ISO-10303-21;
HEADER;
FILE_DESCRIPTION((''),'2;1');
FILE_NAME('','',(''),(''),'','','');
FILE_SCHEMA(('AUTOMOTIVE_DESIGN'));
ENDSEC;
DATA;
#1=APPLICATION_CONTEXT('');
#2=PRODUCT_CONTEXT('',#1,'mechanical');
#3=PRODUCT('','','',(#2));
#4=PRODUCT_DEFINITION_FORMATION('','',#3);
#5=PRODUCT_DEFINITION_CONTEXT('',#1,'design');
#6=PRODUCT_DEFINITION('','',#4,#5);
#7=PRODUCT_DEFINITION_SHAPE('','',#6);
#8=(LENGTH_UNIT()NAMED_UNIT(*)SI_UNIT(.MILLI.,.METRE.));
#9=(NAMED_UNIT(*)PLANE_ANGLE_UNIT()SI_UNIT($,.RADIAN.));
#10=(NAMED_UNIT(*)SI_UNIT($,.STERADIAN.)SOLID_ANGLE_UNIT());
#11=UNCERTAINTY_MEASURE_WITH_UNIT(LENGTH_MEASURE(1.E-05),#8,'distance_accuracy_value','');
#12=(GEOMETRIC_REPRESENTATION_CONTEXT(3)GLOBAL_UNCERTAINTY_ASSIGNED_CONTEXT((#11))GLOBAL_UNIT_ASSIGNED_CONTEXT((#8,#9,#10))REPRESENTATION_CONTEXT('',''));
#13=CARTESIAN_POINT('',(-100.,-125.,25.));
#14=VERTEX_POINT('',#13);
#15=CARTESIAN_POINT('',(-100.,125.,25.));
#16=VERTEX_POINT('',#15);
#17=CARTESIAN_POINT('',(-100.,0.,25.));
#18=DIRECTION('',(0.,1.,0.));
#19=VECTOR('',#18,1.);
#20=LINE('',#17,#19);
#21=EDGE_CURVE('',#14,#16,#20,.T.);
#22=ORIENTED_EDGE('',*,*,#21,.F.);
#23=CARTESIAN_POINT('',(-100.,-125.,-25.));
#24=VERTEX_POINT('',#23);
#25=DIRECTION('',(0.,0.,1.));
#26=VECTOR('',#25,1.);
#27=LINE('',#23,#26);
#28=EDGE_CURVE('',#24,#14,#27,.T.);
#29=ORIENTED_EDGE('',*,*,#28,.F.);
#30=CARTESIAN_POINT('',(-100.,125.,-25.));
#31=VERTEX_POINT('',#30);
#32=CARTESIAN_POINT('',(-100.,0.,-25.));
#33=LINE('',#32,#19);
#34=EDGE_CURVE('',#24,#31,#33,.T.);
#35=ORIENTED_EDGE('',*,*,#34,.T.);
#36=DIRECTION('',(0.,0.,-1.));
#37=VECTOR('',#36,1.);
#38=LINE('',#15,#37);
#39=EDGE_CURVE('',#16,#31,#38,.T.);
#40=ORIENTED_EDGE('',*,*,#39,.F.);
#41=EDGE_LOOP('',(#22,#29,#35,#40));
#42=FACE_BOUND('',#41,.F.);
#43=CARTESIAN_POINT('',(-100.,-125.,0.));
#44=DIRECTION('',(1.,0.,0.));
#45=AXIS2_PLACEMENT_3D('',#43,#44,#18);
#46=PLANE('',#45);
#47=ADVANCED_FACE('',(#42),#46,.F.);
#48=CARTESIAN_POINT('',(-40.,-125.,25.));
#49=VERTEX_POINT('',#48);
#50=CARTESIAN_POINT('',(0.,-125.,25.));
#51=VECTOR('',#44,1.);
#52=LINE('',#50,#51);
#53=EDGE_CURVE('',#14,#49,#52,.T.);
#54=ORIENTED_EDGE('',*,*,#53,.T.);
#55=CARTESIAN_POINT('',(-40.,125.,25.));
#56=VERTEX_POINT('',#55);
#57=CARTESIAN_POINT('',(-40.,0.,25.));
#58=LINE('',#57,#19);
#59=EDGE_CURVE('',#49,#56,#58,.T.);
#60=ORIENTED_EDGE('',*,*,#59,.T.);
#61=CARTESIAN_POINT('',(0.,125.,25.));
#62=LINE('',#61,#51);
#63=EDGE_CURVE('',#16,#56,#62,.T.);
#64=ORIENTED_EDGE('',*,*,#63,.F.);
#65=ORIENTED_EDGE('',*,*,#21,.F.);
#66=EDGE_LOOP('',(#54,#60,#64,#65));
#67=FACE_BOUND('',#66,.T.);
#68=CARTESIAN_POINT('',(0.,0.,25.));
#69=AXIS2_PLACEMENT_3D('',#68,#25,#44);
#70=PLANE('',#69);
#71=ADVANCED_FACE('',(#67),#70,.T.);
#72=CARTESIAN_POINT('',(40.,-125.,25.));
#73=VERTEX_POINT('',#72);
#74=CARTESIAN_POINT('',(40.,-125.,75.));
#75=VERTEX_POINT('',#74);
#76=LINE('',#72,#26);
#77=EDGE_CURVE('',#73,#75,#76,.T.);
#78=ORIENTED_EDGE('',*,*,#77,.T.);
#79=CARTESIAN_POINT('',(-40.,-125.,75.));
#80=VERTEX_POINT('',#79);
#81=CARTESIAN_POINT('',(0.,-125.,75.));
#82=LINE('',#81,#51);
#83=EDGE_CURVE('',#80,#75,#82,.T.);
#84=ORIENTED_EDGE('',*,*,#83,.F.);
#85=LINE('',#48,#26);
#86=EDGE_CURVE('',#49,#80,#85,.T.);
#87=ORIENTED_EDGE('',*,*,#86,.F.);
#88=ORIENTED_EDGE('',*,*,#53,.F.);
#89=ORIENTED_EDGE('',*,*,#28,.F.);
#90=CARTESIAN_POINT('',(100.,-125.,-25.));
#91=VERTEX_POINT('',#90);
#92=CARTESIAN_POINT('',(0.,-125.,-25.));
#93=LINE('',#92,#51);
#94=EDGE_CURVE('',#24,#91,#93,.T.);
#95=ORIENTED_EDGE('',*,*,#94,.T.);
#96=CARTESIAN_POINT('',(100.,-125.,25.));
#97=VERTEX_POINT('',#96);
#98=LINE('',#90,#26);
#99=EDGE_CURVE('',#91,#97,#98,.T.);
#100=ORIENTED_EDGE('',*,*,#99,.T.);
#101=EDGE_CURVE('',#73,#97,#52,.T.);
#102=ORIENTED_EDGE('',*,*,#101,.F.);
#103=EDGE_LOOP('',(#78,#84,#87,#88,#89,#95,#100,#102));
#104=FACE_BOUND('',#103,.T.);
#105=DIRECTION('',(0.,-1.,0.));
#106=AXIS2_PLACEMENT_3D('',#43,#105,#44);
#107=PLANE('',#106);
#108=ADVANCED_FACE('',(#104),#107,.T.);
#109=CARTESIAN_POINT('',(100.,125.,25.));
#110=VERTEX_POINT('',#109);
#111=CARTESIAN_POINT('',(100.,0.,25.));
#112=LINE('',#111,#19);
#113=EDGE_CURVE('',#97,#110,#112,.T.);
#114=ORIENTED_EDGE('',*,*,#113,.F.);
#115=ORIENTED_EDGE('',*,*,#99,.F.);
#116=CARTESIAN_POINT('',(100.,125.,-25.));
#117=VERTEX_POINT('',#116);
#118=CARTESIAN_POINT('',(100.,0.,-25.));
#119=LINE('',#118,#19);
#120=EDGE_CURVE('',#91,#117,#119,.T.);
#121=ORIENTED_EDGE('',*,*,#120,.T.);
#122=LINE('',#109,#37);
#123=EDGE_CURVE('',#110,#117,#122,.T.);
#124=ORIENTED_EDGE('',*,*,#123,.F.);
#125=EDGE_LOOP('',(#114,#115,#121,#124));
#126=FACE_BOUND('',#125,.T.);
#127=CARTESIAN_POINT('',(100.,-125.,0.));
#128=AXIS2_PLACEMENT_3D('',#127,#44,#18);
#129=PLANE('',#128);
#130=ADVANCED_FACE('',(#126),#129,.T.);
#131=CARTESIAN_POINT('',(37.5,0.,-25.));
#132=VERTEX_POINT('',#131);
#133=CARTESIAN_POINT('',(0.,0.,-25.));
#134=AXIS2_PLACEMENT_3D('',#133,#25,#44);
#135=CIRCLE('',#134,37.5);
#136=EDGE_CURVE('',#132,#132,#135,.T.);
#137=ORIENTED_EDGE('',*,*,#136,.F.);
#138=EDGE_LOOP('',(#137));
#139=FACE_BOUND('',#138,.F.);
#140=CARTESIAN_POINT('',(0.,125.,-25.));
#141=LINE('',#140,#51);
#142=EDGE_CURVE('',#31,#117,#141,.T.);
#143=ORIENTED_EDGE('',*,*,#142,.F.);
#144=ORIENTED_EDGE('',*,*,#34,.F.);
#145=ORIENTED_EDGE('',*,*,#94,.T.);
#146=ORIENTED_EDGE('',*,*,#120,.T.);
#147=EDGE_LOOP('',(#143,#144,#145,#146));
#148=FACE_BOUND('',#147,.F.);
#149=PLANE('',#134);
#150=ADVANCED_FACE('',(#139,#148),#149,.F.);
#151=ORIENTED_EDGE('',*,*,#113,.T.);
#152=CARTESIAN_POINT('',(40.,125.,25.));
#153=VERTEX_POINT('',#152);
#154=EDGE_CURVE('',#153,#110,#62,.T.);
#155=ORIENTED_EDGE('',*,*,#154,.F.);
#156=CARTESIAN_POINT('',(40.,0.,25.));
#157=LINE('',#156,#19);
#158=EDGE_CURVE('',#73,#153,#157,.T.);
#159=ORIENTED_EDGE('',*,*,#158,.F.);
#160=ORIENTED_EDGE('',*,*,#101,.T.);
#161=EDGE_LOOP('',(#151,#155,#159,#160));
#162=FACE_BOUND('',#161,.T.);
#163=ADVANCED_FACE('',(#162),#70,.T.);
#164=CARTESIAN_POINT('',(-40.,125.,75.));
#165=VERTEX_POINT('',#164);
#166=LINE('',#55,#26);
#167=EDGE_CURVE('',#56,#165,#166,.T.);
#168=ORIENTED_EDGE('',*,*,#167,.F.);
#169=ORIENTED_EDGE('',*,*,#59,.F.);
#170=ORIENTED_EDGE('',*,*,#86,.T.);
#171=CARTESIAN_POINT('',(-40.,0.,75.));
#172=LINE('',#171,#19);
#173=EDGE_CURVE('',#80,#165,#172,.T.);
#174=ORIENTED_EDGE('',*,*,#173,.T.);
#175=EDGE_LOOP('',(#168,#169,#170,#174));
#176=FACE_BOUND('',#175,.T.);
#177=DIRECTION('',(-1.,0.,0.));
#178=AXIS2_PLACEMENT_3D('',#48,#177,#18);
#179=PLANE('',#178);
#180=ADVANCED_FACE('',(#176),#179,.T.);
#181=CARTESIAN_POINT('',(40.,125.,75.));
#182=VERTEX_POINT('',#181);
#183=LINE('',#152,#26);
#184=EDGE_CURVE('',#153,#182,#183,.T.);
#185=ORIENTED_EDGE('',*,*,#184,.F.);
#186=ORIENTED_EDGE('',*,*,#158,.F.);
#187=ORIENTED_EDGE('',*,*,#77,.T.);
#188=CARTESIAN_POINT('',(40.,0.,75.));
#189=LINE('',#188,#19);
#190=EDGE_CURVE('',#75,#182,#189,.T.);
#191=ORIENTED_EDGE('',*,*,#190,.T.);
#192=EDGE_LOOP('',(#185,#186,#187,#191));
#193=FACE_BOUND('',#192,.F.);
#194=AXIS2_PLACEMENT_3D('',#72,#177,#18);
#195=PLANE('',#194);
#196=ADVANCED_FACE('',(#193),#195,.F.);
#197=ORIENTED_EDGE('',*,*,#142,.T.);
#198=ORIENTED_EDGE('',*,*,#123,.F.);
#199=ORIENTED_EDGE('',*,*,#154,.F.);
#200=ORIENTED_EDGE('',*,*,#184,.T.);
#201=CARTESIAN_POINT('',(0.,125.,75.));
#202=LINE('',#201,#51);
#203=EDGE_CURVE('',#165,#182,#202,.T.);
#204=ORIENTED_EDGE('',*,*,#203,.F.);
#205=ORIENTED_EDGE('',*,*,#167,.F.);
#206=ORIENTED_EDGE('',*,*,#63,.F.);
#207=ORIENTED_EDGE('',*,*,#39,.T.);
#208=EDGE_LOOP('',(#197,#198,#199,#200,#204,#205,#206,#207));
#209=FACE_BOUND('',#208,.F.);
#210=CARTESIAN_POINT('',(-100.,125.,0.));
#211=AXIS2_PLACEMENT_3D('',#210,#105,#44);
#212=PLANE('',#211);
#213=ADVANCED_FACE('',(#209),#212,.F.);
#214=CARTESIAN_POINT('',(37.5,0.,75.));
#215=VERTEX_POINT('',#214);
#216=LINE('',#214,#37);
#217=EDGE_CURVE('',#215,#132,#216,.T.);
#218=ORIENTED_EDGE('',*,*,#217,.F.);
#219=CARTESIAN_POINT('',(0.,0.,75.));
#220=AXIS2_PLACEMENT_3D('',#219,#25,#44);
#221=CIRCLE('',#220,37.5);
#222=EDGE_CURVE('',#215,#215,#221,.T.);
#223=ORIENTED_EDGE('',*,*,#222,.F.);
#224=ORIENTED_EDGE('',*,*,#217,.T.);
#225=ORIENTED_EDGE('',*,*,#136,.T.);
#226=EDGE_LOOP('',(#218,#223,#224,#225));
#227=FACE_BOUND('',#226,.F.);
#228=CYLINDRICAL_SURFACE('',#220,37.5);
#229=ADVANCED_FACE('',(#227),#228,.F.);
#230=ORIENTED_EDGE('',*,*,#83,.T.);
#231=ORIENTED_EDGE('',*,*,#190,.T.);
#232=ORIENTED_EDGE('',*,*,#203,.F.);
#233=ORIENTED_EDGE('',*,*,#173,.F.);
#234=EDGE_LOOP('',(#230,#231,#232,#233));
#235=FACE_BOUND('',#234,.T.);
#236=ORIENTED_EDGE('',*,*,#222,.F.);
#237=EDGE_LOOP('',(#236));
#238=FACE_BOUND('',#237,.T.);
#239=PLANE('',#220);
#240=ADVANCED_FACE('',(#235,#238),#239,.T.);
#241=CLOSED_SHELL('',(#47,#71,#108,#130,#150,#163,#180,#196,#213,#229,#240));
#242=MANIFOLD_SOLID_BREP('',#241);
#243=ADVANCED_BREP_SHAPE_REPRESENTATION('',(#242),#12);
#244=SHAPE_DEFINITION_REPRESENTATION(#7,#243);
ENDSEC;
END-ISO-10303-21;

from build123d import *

# Parameters (mm, degrees)
F0_W     = 200
F0_H     = 250
F1_DEPTH = 25
F2_W     = 80
F2_H     = 250
F3_DEPTH = 50
F4_R     = 37.5
F5_DEPTH = 137


with BuildPart() as f1:
    # F0 (on Top) → F1 (new body, symmetric)
    with BuildSketch(Plane.XY):
        Rectangle(F0_W, F0_H)
    extrude(amount=F1_DEPTH, both=True)

    # F2 (on face) → F3 (join)
    with BuildSketch(Plane.XY.offset(25)):
        Rectangle(F2_W, F2_H)
    extrude(amount=F3_DEPTH)

    # F4 (on face) → F5 (cut)
    with BuildSketch(Plane.XY.offset(75)):
        Circle(F4_R)
    extrude(amount=-F5_DEPTH, mode=Mode.SUBTRACT)


solid = f1.part
